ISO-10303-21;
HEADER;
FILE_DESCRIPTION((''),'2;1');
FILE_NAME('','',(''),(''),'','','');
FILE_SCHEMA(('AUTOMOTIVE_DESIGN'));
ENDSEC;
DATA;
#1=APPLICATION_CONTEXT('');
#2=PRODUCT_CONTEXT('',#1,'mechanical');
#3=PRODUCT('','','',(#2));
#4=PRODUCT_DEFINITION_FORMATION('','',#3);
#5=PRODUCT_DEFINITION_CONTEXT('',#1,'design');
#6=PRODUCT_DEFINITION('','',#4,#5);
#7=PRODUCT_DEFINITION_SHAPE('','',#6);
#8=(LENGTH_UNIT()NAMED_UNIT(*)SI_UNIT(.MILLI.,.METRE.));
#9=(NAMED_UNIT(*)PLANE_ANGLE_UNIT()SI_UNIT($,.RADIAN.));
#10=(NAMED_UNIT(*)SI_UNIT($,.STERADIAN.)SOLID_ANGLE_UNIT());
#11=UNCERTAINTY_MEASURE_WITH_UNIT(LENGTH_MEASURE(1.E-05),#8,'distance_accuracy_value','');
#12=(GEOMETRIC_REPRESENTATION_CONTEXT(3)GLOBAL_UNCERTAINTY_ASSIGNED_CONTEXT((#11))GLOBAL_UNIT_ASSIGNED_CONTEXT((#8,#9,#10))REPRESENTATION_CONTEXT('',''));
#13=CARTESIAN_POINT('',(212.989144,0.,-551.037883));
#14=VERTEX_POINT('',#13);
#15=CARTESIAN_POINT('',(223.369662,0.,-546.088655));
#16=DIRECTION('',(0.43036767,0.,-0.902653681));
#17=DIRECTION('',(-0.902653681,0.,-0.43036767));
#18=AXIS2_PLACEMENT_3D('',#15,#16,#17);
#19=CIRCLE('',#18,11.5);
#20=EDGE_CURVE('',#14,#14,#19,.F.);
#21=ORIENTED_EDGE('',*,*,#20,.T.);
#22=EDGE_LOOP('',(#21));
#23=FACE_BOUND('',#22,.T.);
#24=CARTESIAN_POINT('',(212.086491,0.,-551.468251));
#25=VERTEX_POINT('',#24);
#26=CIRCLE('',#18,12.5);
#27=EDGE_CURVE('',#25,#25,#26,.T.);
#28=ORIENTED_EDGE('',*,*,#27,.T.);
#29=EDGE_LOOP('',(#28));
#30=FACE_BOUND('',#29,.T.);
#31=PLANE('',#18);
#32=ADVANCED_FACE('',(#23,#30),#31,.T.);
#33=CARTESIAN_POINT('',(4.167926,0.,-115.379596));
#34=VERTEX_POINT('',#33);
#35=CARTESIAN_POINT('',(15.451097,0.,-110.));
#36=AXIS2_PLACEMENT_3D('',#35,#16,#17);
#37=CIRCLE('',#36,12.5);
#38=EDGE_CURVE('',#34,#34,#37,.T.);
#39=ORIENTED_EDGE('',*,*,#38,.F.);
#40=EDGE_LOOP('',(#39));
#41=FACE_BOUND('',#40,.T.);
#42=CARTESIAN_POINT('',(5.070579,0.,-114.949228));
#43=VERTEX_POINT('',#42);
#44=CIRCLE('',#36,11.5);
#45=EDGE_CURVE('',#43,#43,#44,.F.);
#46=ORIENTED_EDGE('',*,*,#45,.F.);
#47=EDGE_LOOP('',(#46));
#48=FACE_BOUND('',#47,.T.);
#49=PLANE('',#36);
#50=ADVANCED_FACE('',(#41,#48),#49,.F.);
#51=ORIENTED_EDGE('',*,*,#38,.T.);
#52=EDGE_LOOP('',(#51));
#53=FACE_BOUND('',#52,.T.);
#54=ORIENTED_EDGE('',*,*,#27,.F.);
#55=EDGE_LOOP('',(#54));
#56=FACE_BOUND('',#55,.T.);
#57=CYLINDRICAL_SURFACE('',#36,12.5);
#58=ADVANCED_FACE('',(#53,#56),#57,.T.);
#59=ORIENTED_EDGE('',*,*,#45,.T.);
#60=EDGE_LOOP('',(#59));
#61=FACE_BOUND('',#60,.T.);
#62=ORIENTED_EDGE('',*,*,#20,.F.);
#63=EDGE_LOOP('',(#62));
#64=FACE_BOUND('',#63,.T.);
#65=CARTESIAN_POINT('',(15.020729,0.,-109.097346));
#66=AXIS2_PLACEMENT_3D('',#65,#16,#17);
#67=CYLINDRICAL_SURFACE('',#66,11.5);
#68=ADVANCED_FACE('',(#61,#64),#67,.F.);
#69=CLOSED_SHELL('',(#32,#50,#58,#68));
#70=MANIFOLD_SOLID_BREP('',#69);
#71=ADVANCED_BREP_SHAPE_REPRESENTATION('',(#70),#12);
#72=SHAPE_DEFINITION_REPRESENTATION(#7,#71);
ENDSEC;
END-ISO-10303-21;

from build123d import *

# Parameters (mm, degrees)
SWEEP1_PROFILE_R     = 12.5
CUT_SWEEP1_PROFILE_R = 11.5


with BuildPart() as part:
    # Sweep1: sweep along a path in Sketch5
    with BuildLine(Plane(origin=(0, 0, 0), x_dir=(1, 0, 0), z_dir=(0, 1, 0))) as sweep1_path:
        Line((15.451096543, 110), (223.369661717, 546.088654867))
    # Sweep1 profile (on start of the path) → Sweep1 (sweep)
    with BuildSketch(Plane(origin=(15.451096543, 0, -110), x_dir=(-0.9026536814530927, 0, -0.43036766997438236), z_dir=(0.43036766997438236, 0, -0.9026536814530927))):
        Circle(SWEEP1_PROFILE_R)
    sweep(path=sweep1_path.line)

    # Cut-Sweep1: sweep along a path in Sketch5<2>
    with BuildLine(Plane(origin=(0, 0, 0), x_dir=(1, 0, 0), z_dir=(0, 1, 0))) as cut_sweep1_path:
        Line((15.451096543, 110), (223.369661717, 546.088654867))
    # Cut-Sweep1 profile (on start of the path) → Cut-Sweep1 (sweep, cut)
    with BuildSketch(Plane(origin=(15.451096543, 0, -110), x_dir=(-0.9026536814530927, 0, -0.43036766997438236), z_dir=(0.43036766997438236, 0, -0.9026536814530927))):
        Circle(CUT_SWEEP1_PROFILE_R)
    sweep(path=cut_sweep1_path.line, mode=Mode.SUBTRACT)


solid = part.part
